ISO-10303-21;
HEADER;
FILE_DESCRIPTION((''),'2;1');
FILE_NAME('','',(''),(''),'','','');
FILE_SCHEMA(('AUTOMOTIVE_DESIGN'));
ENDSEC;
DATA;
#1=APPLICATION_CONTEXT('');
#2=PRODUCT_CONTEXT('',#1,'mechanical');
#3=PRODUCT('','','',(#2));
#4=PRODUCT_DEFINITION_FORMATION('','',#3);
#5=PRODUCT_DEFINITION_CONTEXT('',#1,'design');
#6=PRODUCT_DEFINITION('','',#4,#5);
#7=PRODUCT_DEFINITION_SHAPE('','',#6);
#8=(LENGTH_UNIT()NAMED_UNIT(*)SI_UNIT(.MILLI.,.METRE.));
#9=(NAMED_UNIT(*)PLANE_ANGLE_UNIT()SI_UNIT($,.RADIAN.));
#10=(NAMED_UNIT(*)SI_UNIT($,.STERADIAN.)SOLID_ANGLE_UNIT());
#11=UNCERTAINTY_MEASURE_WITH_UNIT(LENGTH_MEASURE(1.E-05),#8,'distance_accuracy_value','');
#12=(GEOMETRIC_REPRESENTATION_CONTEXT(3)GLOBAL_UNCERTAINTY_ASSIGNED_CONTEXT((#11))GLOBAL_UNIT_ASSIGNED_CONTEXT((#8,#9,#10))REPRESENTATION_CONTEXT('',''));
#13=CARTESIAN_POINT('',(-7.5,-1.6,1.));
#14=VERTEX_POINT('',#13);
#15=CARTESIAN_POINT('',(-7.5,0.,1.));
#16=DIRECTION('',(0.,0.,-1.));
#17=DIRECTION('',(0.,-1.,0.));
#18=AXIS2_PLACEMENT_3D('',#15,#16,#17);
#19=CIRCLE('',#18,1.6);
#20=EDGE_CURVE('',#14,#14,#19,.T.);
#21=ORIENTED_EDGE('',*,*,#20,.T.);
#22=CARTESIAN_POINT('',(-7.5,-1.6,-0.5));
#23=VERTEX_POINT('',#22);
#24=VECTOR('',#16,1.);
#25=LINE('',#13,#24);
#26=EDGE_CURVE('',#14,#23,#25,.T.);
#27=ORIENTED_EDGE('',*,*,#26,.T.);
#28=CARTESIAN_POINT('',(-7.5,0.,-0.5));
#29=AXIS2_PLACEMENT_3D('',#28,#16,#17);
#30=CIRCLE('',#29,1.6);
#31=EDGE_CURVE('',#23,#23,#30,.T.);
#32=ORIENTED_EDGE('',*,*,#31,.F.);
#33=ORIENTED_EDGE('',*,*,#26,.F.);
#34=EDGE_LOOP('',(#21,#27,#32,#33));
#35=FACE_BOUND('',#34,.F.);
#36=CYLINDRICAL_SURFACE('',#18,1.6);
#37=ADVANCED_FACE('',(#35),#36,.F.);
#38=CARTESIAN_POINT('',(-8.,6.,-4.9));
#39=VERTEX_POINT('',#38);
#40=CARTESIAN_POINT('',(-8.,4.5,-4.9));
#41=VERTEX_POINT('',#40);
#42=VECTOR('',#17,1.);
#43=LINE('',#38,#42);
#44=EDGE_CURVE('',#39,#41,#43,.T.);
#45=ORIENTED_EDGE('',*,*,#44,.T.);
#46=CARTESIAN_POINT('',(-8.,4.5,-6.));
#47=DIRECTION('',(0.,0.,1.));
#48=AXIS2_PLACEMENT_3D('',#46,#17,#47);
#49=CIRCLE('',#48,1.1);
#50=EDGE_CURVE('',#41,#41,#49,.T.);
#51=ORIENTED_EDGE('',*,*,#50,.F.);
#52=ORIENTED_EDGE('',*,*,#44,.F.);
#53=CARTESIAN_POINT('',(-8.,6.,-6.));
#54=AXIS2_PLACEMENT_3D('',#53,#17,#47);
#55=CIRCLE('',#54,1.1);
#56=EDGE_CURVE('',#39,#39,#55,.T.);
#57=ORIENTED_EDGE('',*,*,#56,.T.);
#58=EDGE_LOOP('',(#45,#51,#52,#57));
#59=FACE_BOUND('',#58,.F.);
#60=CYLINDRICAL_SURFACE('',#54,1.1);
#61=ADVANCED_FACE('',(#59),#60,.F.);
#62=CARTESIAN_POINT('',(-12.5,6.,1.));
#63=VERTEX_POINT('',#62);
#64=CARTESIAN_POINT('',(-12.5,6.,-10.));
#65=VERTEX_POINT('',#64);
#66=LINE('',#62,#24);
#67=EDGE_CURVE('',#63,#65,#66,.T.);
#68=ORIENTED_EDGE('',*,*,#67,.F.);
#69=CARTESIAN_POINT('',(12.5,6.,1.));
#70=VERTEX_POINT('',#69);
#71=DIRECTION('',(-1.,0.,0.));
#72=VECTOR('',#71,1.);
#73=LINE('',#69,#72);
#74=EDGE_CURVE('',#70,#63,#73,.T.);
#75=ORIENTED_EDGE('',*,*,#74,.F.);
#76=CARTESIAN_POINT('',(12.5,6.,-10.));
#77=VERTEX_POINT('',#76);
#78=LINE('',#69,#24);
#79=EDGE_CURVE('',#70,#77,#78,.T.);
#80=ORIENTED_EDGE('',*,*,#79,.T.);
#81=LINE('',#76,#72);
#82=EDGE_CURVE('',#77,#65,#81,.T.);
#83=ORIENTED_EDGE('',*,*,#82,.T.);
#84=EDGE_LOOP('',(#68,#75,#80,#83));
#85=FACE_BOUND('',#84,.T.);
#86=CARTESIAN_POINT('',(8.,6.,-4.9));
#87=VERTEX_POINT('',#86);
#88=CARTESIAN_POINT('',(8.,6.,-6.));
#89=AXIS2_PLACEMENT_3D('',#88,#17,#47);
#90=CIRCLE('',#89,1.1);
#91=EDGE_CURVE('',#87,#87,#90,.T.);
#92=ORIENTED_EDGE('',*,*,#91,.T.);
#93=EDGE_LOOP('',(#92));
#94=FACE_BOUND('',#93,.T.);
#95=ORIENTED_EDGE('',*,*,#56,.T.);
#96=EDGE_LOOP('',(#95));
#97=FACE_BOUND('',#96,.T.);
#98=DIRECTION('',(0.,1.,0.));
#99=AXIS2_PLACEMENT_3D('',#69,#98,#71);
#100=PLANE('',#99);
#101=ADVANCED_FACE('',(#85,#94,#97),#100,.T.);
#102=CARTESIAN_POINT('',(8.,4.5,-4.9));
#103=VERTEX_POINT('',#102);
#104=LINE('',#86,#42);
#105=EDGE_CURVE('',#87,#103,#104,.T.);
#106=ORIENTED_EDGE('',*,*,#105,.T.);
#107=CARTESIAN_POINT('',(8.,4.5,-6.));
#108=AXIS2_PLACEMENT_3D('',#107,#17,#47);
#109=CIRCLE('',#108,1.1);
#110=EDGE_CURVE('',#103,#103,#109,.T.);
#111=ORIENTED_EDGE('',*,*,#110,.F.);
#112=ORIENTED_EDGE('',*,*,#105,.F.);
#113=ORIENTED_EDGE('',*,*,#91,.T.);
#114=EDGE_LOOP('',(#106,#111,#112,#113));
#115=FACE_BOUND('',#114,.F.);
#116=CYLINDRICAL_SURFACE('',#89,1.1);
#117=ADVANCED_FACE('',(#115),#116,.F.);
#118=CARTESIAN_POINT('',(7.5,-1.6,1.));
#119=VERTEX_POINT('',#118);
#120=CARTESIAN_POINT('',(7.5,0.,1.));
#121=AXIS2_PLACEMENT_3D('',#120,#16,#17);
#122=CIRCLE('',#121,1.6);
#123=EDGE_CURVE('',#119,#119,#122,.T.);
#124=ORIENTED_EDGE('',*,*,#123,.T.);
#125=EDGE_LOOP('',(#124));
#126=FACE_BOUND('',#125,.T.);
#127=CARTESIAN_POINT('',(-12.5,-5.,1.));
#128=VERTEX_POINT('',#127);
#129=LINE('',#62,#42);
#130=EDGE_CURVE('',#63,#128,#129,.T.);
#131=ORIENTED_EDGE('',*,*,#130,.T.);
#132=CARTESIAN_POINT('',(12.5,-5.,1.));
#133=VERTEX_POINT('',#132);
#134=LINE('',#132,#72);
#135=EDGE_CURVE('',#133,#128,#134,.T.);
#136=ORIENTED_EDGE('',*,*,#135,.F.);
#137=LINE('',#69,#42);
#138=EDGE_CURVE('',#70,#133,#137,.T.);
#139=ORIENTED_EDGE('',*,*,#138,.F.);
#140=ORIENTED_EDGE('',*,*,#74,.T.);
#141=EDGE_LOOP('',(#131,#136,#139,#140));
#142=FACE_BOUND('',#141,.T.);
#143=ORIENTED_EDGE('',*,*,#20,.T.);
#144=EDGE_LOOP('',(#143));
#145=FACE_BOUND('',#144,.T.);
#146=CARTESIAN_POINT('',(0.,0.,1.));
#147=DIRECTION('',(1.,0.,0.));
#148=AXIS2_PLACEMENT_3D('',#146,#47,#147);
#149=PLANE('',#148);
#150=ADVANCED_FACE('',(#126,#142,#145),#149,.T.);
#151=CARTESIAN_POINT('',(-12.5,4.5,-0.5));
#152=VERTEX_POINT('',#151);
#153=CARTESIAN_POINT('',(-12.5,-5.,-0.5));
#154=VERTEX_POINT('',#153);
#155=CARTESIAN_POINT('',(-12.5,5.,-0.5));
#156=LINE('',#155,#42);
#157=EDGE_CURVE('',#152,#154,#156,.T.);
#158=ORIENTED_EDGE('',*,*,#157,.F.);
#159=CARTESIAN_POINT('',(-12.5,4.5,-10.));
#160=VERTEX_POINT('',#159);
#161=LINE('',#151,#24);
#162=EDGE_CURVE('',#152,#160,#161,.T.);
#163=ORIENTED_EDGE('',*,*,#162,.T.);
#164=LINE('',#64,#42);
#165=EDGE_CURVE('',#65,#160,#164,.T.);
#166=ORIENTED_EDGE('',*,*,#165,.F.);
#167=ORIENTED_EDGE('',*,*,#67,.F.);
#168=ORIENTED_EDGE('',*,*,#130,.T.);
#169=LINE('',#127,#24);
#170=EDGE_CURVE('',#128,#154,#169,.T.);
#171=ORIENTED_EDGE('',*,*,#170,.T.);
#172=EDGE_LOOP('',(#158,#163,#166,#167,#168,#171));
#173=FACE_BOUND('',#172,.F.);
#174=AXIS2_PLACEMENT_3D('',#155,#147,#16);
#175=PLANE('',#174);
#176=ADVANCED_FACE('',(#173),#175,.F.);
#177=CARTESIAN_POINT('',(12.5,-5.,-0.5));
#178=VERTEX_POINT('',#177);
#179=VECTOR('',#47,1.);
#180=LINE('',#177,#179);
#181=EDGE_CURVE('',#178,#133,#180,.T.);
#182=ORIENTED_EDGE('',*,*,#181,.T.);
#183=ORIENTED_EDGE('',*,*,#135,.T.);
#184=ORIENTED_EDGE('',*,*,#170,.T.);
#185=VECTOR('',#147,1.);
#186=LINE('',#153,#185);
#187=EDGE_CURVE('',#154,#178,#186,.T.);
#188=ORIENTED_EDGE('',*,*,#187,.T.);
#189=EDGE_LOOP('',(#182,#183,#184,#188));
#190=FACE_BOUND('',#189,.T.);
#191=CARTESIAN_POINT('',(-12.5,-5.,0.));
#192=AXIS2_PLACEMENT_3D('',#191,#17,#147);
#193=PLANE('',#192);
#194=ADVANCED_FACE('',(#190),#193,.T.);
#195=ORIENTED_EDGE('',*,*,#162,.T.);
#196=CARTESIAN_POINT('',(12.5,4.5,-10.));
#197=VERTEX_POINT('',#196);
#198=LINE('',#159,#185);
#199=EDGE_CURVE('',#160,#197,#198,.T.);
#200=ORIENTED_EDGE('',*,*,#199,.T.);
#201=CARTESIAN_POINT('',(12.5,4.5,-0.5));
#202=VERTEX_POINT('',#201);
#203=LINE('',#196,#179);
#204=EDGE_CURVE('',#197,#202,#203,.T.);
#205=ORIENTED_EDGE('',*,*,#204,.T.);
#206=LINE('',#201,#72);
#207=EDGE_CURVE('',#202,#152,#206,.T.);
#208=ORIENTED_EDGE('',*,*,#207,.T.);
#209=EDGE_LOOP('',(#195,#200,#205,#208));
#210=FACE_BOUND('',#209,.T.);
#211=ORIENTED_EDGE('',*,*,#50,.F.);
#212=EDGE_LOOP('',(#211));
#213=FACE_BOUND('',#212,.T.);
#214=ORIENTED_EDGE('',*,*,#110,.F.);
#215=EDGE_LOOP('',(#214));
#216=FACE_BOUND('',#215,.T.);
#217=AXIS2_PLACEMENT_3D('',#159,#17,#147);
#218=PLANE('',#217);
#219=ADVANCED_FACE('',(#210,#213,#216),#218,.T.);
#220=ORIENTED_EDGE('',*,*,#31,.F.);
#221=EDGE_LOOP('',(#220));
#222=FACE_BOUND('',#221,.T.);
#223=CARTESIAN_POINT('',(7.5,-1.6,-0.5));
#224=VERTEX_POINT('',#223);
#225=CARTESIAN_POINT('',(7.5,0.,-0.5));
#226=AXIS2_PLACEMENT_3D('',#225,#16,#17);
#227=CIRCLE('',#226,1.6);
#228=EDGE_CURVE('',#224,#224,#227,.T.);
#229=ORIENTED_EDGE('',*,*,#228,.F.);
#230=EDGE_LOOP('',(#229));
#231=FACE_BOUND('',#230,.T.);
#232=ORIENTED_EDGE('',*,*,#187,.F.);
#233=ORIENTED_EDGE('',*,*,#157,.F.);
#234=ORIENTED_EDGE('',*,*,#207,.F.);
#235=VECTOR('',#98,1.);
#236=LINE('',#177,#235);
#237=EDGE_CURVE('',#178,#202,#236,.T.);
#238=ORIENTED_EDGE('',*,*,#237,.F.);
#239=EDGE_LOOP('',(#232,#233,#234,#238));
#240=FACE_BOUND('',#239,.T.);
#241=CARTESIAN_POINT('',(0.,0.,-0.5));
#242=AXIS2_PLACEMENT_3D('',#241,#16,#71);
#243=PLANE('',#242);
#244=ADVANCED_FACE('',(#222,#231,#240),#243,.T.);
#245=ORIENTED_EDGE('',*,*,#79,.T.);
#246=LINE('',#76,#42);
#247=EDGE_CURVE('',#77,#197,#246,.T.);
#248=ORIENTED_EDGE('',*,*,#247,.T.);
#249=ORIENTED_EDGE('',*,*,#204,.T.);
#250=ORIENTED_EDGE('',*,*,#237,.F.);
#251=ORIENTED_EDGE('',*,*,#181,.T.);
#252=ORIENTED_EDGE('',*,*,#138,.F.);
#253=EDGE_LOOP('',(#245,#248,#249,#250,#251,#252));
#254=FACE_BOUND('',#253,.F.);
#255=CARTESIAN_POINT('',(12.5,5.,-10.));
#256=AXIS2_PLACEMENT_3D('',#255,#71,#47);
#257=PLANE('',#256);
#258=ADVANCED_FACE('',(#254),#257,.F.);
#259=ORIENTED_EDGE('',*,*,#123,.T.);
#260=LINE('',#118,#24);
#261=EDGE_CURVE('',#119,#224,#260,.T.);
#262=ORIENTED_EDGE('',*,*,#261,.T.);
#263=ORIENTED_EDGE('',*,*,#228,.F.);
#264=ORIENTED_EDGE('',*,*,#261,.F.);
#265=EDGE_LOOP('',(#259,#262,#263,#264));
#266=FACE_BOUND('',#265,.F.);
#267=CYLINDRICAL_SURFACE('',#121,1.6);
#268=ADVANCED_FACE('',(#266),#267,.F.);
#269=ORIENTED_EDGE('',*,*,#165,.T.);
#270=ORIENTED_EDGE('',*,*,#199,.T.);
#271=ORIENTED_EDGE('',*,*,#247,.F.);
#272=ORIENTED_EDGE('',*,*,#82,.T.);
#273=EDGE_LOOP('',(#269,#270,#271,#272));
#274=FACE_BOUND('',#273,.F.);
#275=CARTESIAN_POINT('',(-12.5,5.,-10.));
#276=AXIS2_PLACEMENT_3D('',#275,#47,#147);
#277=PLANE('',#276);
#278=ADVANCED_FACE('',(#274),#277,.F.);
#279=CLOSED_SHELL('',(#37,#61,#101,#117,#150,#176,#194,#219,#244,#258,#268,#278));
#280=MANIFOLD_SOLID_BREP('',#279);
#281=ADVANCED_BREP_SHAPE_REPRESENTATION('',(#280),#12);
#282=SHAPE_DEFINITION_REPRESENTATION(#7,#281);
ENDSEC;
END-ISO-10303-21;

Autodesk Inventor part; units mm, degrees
ref_plane "YZ Plane" through (0, 0, 0) normal (1, 0, 0) x (0, 1, 0)
ref_plane "XZ Plane" through (0, 0, 0) normal (0, 1, 0) x (-1, 0, 0)
ref_plane "XY Plane" through (0, 0, 0) normal (0, 0, 1) x (1, 0, 0)
sketch "スケッチ1" plane through (0, 0, 0) normal (0, 0, 1) x (1, 0, 0)
  line L0 (-12.5, 5) -> (12.5, 5)
  line L1 (12.5, 5) -> (12.5, -5)
  line L2 (12.5, -5) -> (-12.5, -5)
  line L3 (-12.5, -5) -> (-12.5, 5)
  line L4 (-12.5, 5) -> (12.5, -5) construction
  line L5 (12.5, 5) -> (-12.5, -5) construction
  point P0 (0, 0)
  dimension "d0" = 25
  dimension "d1" = 10
extrude "押し出し1" add sketch "スケッチ1" along normal blind 1
sketch "スケッチ3" plane through (0, 0, 1) normal (0, 0, 1) x (1, 0, 0)
  line L0 (-12.5, 5) -> (12.5, 5)
  line L1 (12.5, 5) -> (12.5, 6)
  line L2 (12.5, 6) -> (-12.5, 6)
  line L3 (-12.5, 6) -> (-12.5, 5)
  point P0 (0, 0)
  dimension "d15" = 25
  dimension "d16" = 1
extrude "押し出し2" add sketch "スケッチ3" against normal blind 11
sketch "スケッチ7" plane through (0, 0, 0) normal (0, 0, -1) x (-1, 0, 0)
  line L0 (12.5, -5) -> (-12.5, -5)
  line L1 (-12.5, -5) -> (-12.5, 5)
  line L2 (-12.5, 5) -> (12.5, 5)
  line L3 (12.5, 5) -> (12.5, -5)
  point P0 (0, 0)
extrude "押し出し4" add sketch "スケッチ7" along normal blind 0.5
sketch "スケッチ8" plane through (-12.5, 5, -10) normal (0, -1, 0) x (1, 0, 0)
  line L0 (0, 0) -> (25, 0)
  line L1 (25, 0) -> (25, 9.5)
  line L2 (25, 9.5) -> (0, 9.5)
  line L3 (0, 9.5) -> (0, 0)
  point P0 (12.5, 10)
extrude "押し出し5" add sketch "スケッチ8" along normal blind 0.5
sketch "スケッチ9" plane through (0, 0, 1) normal (0, 0, 1) x (1, 0, 0)
  line L0 (-12.5, 4.5) -> (12.5, 4.5) projected
  line L1 (12.5, -5) -> (12.5, 6) projected
  line L2 (-12.5, 6) -> (-12.5, -5) projected
  point P0 (0, 0)
  point P1 (7.5, 0)
  point P2 (-7.5, 0)
  dimension "d38" = 4.5
  dimension "d39" = 5
  dimension "d40" = 5
  dimension "d41" = 4.5
hole "穴3" at (7.5, 0, 1) at (-7.5, 0, 1) direction (0, 0, -1) diameter 3.2 depth 8 tip angle 118
sketch "スケッチ10" plane through (-12.5, 6, 1) normal (0, 1, 0) x (1, 0, 0)
  line L0 (0, 11) -> (25, 11) projected
  line L1 (25, 0) -> (25, 11) projected
  point P0 (12.5, 1)
  point P1 (4.5, 7)
  point P2 (20.5, 7)
  dimension "d49" = 4
  dimension "d50" = 4.5
  dimension "d51" = 4
  dimension "d52" = 16
hole "穴4" at (-8, 6, -6) at (8, 6, -6) direction (0, -1, 0) diameter 2.2 depth 8 tip angle 118
properties part number "Servo catch" material "アルミニウム 1100-H14"
